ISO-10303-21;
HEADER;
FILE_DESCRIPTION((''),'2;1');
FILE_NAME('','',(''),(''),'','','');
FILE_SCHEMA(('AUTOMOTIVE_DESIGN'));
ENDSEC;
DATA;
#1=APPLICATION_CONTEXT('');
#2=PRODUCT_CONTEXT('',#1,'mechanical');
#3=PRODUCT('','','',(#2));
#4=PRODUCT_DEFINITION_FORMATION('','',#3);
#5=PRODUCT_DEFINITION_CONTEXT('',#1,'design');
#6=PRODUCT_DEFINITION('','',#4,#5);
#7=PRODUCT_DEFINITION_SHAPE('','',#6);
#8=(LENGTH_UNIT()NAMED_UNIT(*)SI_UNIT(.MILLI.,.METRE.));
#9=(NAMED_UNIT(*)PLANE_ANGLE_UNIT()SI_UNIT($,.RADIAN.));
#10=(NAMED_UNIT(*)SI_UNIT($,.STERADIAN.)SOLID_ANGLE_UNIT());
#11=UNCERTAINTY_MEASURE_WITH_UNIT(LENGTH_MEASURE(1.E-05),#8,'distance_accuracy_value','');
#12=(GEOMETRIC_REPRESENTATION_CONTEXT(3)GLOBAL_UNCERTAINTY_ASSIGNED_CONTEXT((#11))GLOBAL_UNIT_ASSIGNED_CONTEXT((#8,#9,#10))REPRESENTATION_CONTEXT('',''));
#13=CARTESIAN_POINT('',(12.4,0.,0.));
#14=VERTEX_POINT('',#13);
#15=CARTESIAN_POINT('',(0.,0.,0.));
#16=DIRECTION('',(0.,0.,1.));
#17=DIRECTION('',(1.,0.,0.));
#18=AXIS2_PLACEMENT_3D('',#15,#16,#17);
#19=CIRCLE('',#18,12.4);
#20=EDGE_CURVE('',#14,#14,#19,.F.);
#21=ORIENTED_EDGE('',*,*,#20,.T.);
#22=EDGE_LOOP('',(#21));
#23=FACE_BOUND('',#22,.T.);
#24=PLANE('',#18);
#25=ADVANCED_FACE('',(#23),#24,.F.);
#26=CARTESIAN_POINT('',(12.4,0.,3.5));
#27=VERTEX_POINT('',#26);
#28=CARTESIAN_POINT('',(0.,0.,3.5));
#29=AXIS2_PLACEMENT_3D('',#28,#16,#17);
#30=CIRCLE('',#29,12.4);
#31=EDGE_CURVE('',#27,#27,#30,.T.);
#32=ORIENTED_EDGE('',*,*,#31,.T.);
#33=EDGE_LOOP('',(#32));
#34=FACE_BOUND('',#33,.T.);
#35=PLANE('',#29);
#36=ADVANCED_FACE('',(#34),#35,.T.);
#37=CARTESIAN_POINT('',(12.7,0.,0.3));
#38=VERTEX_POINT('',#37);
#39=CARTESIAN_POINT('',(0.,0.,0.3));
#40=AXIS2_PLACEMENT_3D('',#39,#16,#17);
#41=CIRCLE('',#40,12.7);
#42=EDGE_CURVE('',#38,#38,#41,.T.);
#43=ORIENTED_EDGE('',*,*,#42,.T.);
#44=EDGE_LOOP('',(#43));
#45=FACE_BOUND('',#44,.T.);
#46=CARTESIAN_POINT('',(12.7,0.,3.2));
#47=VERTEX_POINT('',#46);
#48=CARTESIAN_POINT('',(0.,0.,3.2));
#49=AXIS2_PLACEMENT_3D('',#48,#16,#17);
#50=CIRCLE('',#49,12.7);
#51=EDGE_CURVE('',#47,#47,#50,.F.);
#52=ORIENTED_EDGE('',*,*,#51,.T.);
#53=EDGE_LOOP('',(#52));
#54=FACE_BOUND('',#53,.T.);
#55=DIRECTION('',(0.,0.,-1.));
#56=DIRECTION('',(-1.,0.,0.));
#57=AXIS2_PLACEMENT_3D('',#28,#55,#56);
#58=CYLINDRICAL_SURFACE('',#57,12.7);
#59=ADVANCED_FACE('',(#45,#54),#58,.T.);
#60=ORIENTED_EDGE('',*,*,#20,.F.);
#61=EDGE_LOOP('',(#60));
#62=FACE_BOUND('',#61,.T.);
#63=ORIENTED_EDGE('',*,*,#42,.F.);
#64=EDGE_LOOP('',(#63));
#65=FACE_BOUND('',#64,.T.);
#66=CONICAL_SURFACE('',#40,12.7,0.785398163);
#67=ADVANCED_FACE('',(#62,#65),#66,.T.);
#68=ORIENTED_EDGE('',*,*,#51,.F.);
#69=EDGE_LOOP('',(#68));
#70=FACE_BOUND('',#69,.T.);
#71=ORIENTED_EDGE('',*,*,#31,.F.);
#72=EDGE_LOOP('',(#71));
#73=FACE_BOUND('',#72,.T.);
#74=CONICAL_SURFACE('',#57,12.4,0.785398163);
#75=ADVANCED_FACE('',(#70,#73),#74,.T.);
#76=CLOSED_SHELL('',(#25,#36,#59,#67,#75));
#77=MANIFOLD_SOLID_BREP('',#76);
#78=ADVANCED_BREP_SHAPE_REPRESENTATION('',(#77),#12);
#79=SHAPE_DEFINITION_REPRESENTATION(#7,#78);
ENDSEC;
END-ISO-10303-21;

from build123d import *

# Parameters (mm, degrees)
SKETCH_1_R      = 12.7
EXTRUDE_1_DEPTH = 3.5
CHAMFER_1_SIZE  = 0.3


with BuildPart() as part:
    # 草图1 → 凸台-拉伸1 (new body)
    with BuildSketch(Plane.XY):
        Circle(SKETCH_1_R)
    extrude(amount=EXTRUDE_1_DEPTH)

    # 倒角1
    chamfer_1_edges = [part.edges().sort_by_distance(p)[0] for p in [
        (-12.7, 0, 0),
        (-12.7, 0, 3.5),
    ]]
    chamfer(chamfer_1_edges, length=CHAMFER_1_SIZE)


solid = part.part
